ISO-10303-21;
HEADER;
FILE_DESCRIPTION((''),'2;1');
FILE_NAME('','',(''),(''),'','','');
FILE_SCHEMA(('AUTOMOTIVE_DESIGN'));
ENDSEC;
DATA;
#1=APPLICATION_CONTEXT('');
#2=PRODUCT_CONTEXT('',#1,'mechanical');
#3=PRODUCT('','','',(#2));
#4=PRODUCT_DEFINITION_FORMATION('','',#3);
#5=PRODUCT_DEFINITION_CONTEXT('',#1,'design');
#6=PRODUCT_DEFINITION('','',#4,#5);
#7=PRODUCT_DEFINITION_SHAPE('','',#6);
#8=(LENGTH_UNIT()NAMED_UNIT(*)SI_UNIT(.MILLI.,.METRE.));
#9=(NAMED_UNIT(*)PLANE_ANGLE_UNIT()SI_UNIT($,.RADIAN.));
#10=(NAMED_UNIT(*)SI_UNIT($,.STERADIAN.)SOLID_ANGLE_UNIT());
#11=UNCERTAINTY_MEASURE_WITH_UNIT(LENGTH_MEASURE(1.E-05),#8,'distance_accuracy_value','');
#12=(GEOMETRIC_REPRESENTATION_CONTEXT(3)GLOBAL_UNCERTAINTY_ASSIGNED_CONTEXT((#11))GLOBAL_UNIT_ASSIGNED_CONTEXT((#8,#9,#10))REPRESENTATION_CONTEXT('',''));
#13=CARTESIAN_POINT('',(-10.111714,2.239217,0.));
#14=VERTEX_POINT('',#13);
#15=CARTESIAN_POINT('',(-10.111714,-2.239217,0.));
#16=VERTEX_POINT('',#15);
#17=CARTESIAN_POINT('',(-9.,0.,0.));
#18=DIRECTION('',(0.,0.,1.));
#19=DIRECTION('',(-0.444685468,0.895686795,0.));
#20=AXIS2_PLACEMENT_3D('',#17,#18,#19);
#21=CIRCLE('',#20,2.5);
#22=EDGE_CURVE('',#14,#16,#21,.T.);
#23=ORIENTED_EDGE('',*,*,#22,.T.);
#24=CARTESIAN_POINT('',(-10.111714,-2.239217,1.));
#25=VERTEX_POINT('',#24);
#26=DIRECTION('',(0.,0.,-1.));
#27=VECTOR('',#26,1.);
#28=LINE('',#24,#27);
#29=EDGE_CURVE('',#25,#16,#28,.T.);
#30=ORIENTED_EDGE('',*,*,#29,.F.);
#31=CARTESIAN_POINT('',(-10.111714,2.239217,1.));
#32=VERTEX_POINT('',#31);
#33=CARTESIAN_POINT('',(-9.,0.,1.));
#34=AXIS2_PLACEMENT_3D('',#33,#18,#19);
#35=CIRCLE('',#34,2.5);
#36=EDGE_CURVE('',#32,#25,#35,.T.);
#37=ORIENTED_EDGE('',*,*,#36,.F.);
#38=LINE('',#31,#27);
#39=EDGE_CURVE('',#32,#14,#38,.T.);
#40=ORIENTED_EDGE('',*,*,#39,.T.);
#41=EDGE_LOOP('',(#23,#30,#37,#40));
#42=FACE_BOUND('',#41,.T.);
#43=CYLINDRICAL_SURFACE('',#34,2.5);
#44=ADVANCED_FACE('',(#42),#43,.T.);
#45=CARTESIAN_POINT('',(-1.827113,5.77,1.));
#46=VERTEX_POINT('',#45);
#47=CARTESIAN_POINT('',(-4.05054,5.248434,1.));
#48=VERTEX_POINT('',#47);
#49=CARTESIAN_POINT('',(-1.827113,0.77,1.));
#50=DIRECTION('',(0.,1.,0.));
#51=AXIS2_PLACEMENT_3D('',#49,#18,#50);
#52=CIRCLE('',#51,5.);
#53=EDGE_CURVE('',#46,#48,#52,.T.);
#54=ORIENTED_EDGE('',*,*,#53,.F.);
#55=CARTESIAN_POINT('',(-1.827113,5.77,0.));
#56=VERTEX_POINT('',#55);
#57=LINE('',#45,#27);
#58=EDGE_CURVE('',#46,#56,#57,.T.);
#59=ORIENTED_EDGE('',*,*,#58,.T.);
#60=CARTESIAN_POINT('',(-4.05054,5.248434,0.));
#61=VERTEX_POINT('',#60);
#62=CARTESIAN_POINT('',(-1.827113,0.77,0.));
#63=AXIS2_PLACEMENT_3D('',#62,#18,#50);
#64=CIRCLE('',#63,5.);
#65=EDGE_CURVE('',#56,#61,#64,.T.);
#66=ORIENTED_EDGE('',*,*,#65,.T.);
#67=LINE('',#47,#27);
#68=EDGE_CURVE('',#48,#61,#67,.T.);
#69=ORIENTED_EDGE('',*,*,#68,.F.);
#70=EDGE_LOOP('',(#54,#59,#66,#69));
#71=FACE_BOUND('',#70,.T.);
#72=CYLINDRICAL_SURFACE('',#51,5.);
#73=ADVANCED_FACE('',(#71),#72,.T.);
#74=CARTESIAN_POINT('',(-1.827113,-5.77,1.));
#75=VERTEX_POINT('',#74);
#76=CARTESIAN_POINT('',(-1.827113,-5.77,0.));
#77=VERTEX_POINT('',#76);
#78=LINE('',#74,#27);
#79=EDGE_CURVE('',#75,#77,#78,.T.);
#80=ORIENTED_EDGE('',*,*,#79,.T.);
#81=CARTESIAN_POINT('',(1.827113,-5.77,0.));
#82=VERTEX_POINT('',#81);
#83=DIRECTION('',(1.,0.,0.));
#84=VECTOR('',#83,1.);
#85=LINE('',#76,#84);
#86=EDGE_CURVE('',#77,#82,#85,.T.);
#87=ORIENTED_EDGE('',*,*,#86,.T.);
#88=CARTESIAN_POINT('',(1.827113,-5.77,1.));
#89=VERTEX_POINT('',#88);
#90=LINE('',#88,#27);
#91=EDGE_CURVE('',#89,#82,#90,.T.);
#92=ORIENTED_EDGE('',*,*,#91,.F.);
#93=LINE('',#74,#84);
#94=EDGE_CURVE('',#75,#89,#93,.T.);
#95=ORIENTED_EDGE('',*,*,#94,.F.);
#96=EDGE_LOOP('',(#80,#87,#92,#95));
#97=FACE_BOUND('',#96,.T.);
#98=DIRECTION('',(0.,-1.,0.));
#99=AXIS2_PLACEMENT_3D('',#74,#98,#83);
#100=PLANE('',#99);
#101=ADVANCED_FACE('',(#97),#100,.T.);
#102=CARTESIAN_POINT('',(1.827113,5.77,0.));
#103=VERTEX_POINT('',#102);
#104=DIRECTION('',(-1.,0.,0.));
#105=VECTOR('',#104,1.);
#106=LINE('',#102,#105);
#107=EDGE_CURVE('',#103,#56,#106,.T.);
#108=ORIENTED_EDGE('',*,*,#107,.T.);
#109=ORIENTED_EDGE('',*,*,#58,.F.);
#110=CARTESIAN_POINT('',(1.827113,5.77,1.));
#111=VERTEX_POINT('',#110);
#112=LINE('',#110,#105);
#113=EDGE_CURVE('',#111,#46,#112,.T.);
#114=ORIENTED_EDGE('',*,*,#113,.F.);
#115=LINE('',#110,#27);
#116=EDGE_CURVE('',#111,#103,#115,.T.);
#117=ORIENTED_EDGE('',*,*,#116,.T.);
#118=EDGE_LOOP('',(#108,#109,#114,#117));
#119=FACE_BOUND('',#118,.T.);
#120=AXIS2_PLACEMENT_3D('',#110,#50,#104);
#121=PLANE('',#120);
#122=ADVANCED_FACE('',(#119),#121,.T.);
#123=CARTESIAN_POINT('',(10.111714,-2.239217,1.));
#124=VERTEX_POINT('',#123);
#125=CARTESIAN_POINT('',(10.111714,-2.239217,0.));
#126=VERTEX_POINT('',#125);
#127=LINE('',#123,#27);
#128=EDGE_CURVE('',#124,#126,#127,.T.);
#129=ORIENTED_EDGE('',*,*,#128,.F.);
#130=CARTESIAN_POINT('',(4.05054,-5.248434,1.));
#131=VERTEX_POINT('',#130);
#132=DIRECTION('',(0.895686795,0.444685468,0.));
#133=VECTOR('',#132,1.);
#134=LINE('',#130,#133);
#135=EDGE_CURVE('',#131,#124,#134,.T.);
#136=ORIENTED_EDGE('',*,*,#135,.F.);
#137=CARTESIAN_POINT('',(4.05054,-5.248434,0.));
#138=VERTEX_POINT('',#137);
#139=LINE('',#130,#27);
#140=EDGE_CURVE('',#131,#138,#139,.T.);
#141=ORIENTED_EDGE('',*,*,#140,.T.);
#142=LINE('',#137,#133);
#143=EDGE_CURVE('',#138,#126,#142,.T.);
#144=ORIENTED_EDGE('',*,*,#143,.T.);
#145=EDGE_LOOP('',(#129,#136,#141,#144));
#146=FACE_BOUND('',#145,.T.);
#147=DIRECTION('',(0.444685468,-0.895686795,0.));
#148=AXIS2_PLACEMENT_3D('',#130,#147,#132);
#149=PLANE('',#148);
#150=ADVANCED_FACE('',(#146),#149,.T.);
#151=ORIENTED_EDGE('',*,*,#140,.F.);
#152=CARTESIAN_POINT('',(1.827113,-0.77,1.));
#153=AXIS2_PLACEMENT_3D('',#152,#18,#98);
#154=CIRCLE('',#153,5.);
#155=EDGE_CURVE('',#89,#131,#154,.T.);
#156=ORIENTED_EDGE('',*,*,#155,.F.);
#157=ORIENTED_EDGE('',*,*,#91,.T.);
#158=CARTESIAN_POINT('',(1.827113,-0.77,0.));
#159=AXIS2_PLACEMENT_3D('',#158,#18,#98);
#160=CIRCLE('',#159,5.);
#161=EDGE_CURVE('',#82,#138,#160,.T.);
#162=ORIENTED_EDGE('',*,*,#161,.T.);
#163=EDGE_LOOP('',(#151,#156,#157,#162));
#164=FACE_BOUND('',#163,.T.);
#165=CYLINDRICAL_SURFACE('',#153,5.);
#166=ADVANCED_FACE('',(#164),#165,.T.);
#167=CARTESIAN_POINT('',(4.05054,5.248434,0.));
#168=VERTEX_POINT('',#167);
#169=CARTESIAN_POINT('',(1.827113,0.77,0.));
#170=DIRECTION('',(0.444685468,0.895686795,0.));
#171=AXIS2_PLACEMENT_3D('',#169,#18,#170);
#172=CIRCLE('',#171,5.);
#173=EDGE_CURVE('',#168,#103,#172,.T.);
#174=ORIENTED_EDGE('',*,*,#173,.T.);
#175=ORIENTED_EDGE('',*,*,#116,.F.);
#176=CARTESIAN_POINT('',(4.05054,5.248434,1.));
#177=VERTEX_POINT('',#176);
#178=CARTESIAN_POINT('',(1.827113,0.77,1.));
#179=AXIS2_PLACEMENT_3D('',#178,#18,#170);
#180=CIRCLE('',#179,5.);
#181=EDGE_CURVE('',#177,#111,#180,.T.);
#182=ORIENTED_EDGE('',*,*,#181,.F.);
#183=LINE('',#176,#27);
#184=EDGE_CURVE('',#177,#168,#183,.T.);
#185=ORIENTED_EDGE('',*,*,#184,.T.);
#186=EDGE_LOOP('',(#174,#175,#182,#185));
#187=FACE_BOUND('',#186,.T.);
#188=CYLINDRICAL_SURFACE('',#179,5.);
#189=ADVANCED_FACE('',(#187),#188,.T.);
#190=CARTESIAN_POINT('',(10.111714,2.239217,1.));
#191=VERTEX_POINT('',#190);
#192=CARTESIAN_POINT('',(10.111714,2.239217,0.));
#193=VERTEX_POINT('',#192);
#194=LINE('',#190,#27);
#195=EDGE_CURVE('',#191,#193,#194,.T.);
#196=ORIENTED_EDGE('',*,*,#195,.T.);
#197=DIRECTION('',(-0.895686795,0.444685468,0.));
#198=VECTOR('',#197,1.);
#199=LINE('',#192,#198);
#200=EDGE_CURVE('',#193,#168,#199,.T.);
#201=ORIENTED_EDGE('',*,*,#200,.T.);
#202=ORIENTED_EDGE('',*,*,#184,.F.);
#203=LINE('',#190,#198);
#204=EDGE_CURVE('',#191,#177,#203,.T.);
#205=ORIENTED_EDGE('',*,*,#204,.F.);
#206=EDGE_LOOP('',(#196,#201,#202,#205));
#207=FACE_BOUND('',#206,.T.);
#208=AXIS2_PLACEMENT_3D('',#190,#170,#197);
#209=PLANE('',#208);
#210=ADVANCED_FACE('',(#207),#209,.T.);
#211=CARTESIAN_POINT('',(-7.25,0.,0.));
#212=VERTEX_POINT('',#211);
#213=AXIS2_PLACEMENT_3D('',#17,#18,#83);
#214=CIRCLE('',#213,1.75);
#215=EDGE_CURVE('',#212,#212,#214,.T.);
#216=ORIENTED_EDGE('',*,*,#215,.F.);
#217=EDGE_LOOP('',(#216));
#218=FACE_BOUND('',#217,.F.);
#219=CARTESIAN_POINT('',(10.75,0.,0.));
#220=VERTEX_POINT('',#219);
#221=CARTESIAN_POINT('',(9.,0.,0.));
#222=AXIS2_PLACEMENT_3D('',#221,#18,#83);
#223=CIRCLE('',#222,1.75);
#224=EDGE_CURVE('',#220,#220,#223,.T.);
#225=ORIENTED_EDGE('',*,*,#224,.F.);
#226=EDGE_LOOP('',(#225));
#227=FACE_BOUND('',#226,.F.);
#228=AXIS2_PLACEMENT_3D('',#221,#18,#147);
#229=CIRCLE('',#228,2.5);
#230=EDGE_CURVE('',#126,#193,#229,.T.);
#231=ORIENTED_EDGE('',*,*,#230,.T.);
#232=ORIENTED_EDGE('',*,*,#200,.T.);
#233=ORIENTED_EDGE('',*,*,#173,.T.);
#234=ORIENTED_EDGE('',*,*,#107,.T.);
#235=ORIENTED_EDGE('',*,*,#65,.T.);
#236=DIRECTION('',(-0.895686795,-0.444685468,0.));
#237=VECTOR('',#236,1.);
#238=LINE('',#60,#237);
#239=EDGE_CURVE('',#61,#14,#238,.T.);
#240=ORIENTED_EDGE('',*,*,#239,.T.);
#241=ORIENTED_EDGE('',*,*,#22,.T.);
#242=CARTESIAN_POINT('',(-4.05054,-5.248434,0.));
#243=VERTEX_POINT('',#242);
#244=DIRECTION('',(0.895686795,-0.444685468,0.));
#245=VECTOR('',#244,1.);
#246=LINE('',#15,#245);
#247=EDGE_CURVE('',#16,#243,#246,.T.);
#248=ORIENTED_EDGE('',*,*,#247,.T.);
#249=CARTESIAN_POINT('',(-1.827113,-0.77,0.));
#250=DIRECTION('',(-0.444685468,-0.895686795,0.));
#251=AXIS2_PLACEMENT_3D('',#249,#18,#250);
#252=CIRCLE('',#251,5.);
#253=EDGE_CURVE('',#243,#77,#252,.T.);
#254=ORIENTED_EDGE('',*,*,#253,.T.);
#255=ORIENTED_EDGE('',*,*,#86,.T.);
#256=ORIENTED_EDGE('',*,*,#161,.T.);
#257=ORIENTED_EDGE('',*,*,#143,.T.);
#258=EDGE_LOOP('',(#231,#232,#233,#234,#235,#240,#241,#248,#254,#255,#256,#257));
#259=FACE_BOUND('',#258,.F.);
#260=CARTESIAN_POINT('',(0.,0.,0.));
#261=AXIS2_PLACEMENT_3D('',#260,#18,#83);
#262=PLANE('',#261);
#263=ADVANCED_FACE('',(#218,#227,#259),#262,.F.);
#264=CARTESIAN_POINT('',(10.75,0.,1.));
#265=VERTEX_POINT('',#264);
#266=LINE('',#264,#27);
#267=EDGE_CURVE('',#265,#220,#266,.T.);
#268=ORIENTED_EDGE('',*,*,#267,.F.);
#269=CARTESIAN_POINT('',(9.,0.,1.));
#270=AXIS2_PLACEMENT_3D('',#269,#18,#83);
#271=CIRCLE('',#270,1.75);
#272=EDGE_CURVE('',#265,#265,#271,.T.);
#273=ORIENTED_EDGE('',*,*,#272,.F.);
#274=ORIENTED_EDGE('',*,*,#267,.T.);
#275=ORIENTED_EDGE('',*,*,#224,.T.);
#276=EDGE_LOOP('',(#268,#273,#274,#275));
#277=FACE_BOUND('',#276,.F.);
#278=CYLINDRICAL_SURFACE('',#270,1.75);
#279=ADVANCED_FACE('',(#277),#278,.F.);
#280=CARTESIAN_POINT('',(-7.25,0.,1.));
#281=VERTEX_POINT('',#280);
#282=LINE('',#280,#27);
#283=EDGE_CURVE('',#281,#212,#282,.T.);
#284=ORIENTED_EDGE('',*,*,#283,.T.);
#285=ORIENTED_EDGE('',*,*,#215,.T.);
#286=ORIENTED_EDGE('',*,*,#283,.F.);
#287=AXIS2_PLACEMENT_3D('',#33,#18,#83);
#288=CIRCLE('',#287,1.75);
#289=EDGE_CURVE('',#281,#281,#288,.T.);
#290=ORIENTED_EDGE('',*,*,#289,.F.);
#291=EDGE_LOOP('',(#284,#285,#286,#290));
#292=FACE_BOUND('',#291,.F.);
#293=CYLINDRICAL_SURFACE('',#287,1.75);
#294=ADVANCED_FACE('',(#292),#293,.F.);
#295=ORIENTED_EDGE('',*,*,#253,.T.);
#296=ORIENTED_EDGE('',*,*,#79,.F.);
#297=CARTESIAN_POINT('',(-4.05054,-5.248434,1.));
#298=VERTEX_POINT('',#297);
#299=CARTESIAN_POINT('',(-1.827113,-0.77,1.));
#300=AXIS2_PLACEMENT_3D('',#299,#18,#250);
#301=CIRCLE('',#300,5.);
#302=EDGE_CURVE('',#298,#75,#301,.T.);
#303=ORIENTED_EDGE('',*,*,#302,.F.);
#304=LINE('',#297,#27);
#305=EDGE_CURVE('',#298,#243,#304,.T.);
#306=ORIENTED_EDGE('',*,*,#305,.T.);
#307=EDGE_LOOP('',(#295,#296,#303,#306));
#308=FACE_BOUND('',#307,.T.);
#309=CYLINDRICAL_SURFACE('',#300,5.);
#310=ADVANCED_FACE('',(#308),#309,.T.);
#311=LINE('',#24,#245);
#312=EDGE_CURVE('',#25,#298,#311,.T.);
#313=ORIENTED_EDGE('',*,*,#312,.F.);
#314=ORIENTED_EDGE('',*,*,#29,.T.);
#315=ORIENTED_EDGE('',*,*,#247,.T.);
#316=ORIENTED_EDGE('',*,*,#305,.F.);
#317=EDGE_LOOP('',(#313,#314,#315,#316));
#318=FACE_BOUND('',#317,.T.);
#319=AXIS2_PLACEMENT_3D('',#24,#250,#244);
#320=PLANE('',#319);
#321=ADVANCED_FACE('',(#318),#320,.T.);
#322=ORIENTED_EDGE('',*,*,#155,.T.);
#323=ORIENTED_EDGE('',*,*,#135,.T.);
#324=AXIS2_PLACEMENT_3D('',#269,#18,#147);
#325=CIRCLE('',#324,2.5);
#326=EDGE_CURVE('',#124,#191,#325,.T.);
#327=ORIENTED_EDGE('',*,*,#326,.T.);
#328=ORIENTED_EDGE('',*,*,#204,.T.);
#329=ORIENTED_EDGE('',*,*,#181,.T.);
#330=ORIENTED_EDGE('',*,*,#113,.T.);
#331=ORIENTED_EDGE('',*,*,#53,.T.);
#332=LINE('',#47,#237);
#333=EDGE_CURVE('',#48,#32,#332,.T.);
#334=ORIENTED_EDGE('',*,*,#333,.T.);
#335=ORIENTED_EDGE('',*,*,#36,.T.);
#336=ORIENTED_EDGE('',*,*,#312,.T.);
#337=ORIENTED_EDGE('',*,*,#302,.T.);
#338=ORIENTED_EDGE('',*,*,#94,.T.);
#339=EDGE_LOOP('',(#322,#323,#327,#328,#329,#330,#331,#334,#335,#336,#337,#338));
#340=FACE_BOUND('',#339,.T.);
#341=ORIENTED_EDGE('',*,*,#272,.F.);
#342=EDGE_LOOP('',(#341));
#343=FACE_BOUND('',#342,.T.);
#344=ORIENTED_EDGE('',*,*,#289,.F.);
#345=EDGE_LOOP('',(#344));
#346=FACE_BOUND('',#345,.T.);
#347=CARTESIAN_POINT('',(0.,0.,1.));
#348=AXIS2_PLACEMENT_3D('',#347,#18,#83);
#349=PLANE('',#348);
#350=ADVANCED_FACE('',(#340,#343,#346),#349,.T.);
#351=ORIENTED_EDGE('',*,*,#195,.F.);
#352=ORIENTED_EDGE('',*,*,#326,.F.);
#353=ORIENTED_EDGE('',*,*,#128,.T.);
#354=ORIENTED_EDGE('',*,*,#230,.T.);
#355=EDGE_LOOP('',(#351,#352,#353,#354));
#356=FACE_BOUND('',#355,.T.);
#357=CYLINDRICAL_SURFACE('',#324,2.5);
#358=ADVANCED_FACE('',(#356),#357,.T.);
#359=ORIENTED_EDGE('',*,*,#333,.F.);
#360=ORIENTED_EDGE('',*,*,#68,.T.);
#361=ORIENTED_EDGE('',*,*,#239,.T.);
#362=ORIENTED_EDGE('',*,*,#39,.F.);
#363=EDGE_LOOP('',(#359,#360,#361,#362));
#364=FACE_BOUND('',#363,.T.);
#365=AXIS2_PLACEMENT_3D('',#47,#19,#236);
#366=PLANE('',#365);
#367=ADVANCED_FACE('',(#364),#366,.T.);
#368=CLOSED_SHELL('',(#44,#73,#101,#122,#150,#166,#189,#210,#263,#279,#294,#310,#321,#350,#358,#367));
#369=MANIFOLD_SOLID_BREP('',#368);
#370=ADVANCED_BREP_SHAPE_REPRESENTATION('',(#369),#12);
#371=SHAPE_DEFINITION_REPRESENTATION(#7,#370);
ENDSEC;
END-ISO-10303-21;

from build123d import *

# Parameters (mm, degrees)
F4_R     = 1.75
F5_DEPTH = 1


with BuildPart() as f5:
    # F4 (on offset) → F5 (new body, through all)
    with BuildSketch(Plane.XY.offset(1)):
        with BuildLine():
            Line((-4.0505398426, 5.2484339749), (-10.1117136696, 2.2392169874))
            ThreePointArc((-10.1117136696, 2.2392169874), (-11.5, 0), (-10.1117136696, -2.2392169874))
            Line((-10.1117136696, -2.2392169874), (-4.0505398426, -5.2484339749))
            ThreePointArc((-4.0505398426, -5.2484339749), (-2.9690035065, -5.6378624608), (-1.8271125035, -5.77))
            Line((-1.8271125035, -5.77), (0, -5.77))
            Line((0, -5.77), (1.8271125035, -5.77))
            ThreePointArc((1.8271125035, -5.77), (2.9690035065, -5.6378624608), (4.0505398426, -5.2484339749))
            Line((4.0505398426, -5.2484339749), (10.1117136696, -2.2392169874))
            ThreePointArc((10.1117136696, -2.2392169874), (11.5, 0), (10.1117136696, 2.2392169874))
            Line((10.1117136696, 2.2392169874), (4.0505398426, 5.2484339749))
            ThreePointArc((4.0505398426, 5.2484339749), (2.9690035065, 5.6378624608), (1.8271125035, 5.77))
            Line((1.8271125035, 5.77), (0, 5.77))
            Line((0, 5.77), (-1.8271125035, 5.77))
            ThreePointArc((-1.8271125035, 5.77), (-2.9690035065, 5.6378624608), (-4.0505398426, 5.2484339749))
        make_face()
        with Locations((-9, 0)):
            Circle(F4_R, mode=Mode.SUBTRACT)
        with Locations((9, 0)):
            Circle(F4_R, mode=Mode.SUBTRACT)
    extrude(amount=-F5_DEPTH)


solid = f5.part
